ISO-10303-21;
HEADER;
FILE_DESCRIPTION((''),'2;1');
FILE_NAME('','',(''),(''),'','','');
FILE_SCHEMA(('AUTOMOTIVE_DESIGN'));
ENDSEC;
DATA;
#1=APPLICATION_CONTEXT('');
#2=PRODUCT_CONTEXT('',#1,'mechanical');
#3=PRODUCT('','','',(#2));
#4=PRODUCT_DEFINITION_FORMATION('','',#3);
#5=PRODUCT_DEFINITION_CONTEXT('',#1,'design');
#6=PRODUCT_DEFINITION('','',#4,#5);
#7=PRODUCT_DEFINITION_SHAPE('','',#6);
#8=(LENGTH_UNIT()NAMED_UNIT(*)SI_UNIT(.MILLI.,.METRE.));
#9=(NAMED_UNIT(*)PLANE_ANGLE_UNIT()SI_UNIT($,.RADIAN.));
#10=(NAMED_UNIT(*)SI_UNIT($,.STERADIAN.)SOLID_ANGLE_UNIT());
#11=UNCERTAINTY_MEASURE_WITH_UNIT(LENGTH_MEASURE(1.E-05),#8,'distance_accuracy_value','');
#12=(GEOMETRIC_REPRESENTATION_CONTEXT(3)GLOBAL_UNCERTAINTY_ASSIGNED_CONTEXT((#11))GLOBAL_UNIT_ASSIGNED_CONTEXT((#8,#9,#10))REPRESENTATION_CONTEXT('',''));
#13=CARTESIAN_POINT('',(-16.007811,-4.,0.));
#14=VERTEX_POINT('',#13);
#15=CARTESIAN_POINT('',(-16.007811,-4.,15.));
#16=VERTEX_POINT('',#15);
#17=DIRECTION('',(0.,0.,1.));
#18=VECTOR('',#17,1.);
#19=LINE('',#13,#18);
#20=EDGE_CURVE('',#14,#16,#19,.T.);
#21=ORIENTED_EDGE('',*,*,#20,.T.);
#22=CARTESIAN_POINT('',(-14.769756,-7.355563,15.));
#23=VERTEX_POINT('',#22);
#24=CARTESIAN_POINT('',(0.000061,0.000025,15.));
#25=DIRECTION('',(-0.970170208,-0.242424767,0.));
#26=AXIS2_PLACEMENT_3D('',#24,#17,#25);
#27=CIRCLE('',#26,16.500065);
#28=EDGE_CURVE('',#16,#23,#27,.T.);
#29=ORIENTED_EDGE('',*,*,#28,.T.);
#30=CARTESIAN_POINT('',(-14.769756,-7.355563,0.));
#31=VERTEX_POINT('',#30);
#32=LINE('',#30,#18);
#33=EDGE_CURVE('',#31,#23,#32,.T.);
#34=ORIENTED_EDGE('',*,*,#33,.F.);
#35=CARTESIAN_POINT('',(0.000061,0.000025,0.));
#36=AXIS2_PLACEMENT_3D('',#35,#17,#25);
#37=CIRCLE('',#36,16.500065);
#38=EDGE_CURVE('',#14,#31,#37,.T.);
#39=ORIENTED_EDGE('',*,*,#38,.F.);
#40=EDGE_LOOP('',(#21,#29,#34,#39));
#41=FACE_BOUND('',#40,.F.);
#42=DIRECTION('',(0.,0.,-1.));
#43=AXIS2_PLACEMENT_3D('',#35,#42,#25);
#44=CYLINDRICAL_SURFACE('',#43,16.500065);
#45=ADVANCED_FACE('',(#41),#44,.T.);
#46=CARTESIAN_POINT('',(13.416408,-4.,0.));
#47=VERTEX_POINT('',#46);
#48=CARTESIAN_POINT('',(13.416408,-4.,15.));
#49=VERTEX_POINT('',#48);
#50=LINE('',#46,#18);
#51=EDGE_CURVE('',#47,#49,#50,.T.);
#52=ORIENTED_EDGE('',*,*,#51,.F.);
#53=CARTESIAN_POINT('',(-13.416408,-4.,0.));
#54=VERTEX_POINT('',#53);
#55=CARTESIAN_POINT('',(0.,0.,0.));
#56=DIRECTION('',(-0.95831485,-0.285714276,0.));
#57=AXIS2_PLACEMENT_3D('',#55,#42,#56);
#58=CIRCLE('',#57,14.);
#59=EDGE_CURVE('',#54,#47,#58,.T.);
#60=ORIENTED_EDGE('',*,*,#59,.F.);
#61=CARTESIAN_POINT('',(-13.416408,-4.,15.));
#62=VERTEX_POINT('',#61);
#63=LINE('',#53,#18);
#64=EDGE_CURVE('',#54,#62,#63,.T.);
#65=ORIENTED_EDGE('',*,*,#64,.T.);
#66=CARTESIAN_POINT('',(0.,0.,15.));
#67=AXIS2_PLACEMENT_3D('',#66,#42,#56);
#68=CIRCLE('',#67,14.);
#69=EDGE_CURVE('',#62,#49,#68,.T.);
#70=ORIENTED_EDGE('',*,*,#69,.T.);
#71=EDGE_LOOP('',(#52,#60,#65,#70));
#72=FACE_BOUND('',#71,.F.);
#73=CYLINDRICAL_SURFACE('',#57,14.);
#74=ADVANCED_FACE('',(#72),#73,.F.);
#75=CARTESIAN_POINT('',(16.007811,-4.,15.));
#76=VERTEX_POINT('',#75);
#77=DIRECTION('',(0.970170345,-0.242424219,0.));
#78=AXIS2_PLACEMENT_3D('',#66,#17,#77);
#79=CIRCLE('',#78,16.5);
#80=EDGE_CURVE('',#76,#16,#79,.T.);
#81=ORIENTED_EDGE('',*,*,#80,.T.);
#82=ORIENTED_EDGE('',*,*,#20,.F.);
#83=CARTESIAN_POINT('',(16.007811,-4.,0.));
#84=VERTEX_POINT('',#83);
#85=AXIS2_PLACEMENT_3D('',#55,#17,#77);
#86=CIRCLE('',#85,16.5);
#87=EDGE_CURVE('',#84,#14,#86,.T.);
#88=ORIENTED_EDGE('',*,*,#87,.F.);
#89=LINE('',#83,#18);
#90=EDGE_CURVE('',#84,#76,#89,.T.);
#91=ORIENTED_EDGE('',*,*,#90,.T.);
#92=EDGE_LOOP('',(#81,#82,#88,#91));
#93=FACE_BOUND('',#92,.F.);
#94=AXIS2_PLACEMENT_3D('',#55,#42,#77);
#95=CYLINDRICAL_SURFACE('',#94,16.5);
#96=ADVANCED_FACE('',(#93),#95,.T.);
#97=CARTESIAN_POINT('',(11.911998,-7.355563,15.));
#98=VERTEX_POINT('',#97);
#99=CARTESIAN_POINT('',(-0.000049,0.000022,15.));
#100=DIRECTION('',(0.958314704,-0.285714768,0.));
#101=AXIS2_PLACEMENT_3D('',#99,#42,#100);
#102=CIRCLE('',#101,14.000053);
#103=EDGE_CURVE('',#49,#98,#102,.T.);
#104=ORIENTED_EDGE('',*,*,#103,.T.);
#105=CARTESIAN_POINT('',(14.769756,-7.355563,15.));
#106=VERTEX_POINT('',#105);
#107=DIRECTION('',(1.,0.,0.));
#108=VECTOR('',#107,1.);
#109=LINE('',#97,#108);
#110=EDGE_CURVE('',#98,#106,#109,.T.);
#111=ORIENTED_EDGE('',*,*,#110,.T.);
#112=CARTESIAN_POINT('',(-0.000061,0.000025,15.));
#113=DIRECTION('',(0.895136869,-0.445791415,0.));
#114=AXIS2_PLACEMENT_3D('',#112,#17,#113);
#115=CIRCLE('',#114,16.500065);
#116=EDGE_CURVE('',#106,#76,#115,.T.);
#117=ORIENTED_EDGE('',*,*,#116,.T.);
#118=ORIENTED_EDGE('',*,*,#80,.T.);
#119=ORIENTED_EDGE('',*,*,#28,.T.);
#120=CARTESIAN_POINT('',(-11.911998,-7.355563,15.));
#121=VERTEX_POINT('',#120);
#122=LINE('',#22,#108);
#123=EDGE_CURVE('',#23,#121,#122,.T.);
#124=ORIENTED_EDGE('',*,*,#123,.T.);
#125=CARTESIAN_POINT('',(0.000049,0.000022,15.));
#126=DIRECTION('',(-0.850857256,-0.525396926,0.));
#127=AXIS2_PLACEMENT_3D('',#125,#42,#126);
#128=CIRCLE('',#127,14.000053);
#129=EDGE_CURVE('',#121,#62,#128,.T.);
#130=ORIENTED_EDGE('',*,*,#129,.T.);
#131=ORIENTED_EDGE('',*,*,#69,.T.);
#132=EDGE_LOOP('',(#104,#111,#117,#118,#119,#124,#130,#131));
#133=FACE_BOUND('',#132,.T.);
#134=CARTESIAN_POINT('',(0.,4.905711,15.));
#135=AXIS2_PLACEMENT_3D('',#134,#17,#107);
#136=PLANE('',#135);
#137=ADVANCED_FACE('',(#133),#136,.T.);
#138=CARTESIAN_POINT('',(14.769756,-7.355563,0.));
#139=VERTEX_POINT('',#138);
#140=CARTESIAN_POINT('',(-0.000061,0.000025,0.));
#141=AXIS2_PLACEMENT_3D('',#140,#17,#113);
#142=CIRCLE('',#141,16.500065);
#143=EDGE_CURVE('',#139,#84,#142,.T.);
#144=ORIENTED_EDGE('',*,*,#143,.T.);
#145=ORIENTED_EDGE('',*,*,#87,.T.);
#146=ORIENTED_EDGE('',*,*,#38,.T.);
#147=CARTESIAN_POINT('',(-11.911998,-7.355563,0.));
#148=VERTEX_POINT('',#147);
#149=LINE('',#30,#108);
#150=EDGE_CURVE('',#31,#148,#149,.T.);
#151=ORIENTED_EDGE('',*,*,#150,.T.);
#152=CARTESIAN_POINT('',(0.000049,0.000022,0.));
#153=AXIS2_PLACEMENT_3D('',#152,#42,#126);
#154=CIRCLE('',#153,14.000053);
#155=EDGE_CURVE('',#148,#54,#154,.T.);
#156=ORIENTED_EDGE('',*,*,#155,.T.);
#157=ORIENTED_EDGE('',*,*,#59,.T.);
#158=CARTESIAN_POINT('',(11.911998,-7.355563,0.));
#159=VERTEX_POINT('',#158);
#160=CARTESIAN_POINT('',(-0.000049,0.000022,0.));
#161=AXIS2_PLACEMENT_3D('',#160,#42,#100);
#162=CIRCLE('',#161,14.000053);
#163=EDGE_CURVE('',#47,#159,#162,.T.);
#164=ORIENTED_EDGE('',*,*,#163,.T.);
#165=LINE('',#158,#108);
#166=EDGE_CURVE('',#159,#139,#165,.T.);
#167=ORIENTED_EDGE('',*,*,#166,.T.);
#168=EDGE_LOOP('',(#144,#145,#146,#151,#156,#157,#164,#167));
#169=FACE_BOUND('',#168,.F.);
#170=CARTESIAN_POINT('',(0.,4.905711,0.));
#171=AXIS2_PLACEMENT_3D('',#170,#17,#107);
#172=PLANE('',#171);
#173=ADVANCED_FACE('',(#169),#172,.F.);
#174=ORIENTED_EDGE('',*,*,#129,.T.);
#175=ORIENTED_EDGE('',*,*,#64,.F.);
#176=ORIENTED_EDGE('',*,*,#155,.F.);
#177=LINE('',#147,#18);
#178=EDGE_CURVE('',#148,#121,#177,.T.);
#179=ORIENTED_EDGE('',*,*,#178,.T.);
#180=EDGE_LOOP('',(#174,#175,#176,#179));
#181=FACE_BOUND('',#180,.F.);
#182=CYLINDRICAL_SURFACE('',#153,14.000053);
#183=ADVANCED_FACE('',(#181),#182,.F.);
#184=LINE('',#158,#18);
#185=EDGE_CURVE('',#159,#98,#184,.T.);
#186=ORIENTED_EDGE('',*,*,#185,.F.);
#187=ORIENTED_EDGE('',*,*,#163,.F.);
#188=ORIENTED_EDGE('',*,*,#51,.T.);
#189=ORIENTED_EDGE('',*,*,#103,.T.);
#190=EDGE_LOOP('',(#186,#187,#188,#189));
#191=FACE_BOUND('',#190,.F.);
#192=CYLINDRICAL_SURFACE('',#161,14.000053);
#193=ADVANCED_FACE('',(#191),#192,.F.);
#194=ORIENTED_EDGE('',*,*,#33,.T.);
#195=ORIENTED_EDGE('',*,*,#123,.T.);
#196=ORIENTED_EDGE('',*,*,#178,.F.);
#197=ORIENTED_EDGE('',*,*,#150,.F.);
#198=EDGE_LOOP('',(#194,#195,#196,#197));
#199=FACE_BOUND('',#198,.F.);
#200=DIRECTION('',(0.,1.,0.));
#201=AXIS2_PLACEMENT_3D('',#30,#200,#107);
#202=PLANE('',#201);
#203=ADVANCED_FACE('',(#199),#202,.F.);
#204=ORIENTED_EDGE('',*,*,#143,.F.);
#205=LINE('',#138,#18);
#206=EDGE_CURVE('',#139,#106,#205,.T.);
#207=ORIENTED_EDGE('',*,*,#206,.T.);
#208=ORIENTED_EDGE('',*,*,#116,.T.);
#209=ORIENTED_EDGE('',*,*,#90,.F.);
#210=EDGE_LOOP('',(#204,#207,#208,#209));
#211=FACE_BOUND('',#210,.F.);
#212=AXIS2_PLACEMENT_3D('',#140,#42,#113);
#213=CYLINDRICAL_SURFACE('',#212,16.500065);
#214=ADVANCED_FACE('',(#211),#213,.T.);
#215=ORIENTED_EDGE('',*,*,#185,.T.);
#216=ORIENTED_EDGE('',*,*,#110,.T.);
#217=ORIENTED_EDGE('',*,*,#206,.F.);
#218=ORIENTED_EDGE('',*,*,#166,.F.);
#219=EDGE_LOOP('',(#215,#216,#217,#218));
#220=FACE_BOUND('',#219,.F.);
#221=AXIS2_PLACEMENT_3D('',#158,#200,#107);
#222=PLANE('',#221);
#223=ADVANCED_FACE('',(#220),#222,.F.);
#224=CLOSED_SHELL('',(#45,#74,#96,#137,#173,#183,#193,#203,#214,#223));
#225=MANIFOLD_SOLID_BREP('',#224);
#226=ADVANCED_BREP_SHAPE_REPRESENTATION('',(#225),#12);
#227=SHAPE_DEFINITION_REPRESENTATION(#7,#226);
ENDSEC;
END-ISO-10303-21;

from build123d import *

# Parameters (mm, degrees)
F1_DEPTH = 15


with BuildPart() as f1:
    # F0 (on Top) → F1 (new body)
    with BuildSketch(Plane.XY):
        with BuildLine():
            ThreePointArc((-13.416408, -4), (0, 14), (13.416408, -4))
            ThreePointArc((13.416408, -4), (12.774857, -5.727392), (11.911998, -7.355563))
            Line((11.911998, -7.355563), (14.769756, -7.355563))
            ThreePointArc((14.769756, -7.355563), (15.479974, -5.711427), (16.007811, -4))
            ThreePointArc((16.007811, -4), (0, 16.5), (-16.007811, -4))
            ThreePointArc((-16.007811, -4), (-15.479974, -5.711427), (-14.769756, -7.355563))
            Line((-14.769756, -7.355563), (-11.911998, -7.355563))
            ThreePointArc((-11.911998, -7.355563), (-12.774857, -5.727392), (-13.416408, -4))
        make_face()
    extrude(amount=F1_DEPTH)


solid = f1.part
